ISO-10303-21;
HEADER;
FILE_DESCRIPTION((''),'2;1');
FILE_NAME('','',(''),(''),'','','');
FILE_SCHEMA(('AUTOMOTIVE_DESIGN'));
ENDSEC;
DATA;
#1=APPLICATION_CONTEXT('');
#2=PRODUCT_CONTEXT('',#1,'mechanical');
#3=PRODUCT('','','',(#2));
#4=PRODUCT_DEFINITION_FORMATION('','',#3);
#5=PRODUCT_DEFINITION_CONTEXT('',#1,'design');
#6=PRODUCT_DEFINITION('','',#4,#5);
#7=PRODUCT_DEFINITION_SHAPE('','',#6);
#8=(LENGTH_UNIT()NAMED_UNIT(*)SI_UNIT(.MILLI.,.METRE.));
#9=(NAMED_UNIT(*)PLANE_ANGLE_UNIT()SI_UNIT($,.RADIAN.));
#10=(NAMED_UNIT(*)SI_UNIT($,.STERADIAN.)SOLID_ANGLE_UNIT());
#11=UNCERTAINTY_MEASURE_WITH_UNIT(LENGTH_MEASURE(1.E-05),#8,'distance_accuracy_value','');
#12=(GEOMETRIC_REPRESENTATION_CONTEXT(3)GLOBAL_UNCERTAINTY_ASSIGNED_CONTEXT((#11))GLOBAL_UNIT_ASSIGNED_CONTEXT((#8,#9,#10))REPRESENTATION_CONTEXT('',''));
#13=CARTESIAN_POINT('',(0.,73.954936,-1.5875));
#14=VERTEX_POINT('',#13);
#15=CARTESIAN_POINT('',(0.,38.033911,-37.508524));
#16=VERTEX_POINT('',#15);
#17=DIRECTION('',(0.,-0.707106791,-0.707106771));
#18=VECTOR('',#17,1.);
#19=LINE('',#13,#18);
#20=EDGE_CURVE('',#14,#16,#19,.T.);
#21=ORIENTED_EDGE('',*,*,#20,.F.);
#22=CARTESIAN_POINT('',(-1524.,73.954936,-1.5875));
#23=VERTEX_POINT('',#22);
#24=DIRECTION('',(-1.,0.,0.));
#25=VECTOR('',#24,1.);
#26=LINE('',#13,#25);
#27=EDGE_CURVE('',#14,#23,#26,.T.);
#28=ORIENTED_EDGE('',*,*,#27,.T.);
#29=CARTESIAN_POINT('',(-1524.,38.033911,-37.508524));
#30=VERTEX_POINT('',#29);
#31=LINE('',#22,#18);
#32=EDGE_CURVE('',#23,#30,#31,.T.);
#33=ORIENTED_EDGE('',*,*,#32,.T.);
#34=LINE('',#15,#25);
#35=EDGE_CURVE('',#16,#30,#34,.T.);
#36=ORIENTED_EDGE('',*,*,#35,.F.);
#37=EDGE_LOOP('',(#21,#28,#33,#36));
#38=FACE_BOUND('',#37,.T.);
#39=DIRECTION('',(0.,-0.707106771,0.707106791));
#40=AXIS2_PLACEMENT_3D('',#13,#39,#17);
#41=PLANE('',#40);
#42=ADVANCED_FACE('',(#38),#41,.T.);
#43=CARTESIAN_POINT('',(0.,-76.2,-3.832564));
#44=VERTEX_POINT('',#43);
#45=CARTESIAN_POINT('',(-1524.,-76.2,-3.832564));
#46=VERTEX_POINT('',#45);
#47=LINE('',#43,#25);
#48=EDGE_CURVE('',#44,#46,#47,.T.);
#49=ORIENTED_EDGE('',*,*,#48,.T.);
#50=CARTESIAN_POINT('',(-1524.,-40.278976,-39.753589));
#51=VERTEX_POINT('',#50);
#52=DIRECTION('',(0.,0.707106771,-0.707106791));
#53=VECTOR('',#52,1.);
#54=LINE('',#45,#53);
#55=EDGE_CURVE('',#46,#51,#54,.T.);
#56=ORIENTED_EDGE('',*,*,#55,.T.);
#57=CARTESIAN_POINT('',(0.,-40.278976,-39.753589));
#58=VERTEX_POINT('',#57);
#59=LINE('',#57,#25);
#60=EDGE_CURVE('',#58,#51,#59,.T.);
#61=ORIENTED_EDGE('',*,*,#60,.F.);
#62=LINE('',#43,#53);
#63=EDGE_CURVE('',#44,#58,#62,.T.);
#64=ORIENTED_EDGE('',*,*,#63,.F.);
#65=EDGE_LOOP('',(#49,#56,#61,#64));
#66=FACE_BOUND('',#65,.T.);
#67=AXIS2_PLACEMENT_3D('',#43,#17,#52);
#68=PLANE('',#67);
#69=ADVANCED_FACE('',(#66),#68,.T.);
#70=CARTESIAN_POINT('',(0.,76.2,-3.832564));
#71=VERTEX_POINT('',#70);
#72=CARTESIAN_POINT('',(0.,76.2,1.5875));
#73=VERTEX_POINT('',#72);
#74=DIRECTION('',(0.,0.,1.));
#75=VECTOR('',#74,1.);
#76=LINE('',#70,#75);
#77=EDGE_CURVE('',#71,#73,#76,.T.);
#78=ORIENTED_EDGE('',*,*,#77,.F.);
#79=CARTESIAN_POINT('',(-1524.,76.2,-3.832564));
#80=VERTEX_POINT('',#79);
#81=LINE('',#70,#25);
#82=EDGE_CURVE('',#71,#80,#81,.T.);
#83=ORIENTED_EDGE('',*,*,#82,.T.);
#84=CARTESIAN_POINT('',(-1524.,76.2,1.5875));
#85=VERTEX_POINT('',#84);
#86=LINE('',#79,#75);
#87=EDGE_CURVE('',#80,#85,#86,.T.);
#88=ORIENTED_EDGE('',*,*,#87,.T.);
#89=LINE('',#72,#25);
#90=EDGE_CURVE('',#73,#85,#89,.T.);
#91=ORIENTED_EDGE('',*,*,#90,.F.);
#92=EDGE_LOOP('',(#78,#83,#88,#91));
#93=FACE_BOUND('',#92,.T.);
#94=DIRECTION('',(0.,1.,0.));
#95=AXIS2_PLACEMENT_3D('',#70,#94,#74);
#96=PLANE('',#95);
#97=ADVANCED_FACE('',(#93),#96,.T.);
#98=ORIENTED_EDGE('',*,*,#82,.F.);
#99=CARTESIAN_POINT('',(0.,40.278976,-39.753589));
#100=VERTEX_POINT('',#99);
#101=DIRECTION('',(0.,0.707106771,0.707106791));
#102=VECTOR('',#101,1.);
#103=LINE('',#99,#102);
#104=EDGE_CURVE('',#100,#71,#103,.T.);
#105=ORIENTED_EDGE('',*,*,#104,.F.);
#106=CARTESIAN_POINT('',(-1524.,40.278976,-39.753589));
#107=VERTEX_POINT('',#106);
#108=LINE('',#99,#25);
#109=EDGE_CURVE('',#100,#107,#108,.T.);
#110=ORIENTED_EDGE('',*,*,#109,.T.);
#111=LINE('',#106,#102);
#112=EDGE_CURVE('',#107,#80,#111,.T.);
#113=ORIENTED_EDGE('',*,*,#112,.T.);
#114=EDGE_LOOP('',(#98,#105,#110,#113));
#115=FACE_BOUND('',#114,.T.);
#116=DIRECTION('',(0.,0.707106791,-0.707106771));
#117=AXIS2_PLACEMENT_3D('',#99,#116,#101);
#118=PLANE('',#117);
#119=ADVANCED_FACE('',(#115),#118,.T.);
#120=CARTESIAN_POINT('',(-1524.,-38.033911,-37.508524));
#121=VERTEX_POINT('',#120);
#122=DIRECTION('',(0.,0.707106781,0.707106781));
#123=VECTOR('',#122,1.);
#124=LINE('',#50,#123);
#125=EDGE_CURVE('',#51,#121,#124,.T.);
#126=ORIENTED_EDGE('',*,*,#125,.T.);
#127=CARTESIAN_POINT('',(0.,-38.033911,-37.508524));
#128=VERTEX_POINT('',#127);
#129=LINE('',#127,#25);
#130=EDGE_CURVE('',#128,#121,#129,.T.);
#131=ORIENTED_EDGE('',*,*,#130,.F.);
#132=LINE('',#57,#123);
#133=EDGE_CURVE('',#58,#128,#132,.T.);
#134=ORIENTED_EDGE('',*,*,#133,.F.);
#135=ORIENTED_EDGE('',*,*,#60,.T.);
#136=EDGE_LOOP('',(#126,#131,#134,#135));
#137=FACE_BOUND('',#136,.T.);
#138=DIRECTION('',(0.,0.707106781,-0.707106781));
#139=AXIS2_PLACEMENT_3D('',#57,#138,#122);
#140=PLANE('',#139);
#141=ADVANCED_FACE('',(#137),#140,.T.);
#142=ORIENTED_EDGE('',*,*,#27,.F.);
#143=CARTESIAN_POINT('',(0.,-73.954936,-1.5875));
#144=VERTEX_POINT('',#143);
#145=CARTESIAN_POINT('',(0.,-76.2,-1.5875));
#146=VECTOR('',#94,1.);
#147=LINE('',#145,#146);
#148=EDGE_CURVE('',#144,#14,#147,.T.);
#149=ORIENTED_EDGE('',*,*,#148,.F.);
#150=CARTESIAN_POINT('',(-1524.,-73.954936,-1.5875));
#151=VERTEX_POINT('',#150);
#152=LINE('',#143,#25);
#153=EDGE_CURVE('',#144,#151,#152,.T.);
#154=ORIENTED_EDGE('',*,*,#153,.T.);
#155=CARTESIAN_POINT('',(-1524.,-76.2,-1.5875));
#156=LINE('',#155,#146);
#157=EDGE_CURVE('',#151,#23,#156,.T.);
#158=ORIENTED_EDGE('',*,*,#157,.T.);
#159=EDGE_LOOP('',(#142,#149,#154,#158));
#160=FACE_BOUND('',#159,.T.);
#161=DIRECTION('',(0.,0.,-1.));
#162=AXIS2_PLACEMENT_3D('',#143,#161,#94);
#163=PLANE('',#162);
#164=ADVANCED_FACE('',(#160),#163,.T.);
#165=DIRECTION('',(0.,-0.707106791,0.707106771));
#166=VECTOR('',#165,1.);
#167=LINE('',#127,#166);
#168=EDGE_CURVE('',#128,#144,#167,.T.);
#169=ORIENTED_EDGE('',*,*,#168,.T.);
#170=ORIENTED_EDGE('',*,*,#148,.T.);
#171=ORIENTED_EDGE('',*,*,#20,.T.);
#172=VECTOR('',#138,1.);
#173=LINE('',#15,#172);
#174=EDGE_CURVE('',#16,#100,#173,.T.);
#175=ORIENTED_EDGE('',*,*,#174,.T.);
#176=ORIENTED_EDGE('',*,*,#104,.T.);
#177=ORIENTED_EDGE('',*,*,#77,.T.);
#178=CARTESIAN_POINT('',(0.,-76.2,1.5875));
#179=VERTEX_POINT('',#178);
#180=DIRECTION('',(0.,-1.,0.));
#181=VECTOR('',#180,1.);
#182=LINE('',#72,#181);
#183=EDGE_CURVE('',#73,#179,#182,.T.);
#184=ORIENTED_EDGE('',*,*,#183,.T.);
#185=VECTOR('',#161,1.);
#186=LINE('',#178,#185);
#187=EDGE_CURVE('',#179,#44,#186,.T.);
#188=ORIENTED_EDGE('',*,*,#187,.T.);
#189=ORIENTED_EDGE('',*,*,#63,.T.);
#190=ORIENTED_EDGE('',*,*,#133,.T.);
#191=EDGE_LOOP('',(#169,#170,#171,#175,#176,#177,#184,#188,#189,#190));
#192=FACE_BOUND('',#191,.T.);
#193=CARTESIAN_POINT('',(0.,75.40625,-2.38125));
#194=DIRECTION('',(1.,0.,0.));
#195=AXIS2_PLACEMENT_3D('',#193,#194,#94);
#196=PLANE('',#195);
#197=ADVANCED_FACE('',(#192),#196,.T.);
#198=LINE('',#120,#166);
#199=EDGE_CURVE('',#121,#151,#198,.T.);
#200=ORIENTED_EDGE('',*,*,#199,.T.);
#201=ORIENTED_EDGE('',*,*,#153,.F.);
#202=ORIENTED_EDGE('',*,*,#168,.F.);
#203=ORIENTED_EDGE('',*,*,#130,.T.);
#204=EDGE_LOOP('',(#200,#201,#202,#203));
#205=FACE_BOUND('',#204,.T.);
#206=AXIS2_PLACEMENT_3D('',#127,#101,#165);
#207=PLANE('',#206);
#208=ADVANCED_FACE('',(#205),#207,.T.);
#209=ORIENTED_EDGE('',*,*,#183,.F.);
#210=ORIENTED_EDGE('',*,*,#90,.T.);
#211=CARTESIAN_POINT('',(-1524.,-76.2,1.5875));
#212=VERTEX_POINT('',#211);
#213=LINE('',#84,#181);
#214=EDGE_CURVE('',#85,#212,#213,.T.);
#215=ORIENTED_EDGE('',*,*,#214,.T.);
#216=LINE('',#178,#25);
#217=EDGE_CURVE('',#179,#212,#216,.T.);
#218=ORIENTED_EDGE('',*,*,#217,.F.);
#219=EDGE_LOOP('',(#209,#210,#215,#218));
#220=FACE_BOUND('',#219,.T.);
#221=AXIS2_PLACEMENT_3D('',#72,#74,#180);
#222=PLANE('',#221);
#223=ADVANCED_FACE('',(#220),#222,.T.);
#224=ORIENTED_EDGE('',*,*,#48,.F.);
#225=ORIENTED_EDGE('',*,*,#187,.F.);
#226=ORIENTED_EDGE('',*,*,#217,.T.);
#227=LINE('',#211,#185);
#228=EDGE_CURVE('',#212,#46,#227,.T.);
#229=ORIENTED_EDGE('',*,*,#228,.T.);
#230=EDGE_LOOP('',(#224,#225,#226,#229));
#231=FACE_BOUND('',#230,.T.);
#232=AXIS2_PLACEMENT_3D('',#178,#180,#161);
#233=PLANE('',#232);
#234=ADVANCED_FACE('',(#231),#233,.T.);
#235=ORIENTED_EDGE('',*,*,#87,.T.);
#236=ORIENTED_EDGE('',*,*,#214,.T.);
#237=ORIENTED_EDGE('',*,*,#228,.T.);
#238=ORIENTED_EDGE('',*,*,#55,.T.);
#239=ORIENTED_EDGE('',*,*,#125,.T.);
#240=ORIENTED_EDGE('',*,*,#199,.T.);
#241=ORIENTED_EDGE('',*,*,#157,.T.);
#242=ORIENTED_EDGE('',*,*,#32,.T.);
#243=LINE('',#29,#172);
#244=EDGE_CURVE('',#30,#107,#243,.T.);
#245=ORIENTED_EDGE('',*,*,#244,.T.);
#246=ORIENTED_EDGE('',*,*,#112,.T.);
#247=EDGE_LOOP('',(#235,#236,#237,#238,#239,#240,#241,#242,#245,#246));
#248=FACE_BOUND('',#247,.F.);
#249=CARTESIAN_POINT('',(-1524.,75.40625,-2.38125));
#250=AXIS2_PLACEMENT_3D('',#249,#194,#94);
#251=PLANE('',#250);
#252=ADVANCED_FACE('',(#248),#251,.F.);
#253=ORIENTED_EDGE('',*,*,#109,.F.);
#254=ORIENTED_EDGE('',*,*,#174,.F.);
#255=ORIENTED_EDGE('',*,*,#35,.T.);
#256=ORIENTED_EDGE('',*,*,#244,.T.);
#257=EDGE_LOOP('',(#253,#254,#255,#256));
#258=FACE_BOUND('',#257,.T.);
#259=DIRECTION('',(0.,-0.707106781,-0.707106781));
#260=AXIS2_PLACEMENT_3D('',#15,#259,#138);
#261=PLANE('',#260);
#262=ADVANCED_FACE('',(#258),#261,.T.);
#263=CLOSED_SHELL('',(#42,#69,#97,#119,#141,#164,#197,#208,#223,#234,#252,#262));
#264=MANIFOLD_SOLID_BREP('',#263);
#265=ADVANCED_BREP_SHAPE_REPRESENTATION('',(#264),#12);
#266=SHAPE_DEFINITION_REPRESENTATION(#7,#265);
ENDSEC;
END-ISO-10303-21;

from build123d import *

# Parameters (mm, degrees)
F1_DEPTH = 1524


with BuildPart() as f1:
    # F0 (on Right) → F1 (new body)
    with BuildSketch(Plane.YZ):
        Polygon((76.2, -3.832564), (76.2, -1.5875), (73.954936, -1.5875), align=None)
        Polygon((73.954936, -1.5875), (76.2, -1.5875), (76.2, 1.5875), (-76.2, 1.5875), (-76.2, -1.5875), (-73.954936, -1.5875), align=None)
        Polygon((76.2, -3.832564), (73.954936, -1.5875), (38.033911, -37.508524), (40.278976, -39.753589), align=None)
        Polygon((-76.2, -3.832564), (-73.954936, -1.5875), (-76.2, -1.5875), align=None)
        Polygon((-38.033911, -37.508524), (-73.954936, -1.5875), (-76.2, -3.832564), (-40.278976, -39.753589), align=None)
    extrude(amount=-F1_DEPTH)


solid = f1.part
